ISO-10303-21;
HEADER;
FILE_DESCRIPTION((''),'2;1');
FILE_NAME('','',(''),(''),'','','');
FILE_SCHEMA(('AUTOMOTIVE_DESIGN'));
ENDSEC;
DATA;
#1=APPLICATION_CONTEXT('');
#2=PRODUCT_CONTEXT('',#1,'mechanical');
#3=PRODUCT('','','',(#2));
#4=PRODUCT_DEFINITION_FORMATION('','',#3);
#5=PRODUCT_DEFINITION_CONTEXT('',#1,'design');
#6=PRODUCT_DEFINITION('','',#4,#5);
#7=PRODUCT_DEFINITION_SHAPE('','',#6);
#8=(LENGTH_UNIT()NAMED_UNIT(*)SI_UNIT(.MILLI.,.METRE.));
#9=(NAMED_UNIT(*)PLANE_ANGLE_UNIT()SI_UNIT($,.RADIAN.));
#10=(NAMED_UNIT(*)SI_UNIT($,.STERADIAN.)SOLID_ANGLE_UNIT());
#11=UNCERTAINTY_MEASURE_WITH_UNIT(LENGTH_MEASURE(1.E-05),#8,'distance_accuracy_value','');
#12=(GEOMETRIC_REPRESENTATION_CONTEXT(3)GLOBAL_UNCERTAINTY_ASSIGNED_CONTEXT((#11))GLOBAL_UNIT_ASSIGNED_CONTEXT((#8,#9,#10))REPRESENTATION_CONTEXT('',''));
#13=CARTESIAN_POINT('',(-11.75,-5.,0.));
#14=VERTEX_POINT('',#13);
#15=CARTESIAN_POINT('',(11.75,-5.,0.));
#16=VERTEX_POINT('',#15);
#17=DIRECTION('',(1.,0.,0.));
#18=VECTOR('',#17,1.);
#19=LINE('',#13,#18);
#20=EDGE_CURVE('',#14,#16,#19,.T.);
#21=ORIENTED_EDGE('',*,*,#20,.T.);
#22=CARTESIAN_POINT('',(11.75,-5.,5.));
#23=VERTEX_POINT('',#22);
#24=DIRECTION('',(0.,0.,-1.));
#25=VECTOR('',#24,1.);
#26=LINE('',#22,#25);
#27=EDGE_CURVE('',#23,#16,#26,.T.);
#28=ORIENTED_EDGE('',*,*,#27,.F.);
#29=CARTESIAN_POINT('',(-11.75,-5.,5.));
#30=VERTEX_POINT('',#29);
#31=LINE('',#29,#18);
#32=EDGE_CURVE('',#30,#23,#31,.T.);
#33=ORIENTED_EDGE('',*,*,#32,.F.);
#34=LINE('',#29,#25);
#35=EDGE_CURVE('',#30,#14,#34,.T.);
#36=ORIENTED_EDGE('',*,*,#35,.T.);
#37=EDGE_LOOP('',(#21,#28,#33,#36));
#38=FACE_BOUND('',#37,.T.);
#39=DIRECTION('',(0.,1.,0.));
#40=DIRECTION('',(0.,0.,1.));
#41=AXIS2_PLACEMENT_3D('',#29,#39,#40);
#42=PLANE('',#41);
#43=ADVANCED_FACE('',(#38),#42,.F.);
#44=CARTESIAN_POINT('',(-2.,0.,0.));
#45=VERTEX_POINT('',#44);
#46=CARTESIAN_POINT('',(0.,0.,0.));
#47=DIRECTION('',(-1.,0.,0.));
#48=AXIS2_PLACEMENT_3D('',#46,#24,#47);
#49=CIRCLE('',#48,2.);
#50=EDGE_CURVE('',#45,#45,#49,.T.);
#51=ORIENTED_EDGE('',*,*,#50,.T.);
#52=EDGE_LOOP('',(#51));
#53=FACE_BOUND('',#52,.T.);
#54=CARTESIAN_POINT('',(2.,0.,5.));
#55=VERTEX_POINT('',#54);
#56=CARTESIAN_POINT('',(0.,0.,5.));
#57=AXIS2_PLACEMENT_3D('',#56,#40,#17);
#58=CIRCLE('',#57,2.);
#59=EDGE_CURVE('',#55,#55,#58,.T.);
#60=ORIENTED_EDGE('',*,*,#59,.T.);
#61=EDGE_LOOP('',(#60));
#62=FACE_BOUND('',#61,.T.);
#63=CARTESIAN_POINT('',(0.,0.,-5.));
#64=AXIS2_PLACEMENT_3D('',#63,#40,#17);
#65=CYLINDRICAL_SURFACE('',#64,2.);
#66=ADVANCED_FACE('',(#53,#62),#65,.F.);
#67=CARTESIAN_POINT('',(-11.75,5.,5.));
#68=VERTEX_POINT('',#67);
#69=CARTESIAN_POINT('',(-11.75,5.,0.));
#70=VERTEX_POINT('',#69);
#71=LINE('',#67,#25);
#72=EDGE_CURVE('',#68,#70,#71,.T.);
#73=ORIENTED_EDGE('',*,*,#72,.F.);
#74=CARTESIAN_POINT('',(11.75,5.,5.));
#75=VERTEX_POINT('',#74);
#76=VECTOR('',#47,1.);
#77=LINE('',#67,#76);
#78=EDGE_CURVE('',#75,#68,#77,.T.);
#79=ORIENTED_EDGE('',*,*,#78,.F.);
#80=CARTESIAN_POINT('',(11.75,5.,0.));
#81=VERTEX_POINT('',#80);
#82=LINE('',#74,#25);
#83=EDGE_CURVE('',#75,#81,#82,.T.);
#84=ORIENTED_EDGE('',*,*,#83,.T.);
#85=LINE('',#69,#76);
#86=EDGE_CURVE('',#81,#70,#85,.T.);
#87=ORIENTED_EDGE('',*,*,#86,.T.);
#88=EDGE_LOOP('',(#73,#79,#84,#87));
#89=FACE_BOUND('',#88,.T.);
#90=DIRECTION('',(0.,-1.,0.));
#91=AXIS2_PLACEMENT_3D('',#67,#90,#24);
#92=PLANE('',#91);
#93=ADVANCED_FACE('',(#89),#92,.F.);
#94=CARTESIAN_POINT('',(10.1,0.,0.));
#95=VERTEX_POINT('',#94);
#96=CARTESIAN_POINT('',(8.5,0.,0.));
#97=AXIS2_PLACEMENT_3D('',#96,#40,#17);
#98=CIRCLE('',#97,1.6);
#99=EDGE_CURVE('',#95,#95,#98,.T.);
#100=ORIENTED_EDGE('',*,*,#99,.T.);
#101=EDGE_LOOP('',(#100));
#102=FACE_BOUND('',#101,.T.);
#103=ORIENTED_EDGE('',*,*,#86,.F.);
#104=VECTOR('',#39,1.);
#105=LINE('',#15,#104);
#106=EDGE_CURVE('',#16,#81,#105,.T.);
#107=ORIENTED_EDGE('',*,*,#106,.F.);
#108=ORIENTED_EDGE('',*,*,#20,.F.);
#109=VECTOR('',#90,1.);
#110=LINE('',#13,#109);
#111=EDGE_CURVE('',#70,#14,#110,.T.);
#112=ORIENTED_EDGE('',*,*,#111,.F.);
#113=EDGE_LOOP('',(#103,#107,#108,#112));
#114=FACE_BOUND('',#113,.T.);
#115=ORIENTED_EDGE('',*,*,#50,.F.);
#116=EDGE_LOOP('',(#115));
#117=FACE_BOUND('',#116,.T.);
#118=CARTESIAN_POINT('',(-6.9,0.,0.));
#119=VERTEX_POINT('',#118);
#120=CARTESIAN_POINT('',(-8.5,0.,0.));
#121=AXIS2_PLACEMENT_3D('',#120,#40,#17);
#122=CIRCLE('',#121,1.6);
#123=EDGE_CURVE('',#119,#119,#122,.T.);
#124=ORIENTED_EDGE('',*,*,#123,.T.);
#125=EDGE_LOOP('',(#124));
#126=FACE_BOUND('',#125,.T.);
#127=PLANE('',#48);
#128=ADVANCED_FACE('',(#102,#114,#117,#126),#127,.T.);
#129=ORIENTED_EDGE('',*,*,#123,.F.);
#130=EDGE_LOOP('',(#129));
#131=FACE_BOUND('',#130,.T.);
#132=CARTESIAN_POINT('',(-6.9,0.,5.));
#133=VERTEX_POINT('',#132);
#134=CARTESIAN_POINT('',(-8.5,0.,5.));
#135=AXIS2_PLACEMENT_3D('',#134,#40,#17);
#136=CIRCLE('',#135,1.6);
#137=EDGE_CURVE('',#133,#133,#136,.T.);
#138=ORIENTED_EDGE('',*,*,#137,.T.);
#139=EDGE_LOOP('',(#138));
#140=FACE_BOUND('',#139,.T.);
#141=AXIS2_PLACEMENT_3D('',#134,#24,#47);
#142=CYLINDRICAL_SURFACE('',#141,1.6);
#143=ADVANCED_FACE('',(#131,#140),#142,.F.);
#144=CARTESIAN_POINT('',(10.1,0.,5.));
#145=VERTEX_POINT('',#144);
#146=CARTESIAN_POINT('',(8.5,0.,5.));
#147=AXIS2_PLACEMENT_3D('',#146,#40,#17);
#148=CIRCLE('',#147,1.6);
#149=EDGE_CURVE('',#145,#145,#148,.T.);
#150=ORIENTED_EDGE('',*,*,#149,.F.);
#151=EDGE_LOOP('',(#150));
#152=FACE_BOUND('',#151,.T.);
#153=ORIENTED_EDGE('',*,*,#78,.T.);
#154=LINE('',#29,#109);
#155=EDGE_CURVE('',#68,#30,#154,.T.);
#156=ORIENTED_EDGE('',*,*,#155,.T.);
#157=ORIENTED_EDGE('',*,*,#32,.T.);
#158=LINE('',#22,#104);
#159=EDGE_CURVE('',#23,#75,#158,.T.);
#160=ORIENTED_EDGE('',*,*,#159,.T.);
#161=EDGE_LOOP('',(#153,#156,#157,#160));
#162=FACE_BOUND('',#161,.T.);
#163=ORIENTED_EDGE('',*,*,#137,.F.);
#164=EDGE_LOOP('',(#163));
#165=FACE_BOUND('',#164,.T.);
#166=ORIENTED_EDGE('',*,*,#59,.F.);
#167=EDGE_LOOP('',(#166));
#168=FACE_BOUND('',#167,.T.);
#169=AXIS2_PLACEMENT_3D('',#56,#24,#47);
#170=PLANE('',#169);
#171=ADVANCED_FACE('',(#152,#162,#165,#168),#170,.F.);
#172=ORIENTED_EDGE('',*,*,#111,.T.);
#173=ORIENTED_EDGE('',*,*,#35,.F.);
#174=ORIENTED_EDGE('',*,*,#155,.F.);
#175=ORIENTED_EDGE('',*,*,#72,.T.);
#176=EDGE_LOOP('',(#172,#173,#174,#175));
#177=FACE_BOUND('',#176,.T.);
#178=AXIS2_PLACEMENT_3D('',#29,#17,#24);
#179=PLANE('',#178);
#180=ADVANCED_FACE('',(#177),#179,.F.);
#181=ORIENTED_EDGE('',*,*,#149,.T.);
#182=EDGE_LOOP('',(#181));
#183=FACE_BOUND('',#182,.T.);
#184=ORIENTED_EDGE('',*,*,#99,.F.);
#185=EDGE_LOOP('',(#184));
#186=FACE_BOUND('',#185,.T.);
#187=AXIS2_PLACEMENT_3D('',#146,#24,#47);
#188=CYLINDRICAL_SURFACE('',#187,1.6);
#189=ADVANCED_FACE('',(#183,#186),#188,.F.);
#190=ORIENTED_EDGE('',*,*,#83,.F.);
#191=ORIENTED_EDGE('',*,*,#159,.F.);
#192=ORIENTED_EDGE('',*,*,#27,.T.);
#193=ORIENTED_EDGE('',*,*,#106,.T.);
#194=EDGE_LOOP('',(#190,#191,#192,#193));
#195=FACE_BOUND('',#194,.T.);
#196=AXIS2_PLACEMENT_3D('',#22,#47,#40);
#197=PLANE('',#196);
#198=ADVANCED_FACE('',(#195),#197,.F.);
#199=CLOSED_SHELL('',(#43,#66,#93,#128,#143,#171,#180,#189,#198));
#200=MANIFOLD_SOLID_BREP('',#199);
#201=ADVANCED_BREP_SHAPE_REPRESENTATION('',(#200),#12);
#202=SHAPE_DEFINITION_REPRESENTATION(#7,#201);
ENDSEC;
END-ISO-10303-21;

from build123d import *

# Parameters (mm, degrees)
SKETCH_1_W          = 23.5
SKETCH_1_H          = 10
SKETCH_1_R          = 1.6
EXTRUDE_1_DEPTH     = 5
SKETCH_2_R          = 2
CUT_EXTRUDE_1_DEPTH = 10


with BuildPart() as part:
    # 草图1 → 凸台-拉伸1 (new body)
    with BuildSketch(Plane.XY):
        Rectangle(SKETCH_1_W, SKETCH_1_H)
        with Locations((-8.5, 0)):
            Circle(SKETCH_1_R, mode=Mode.SUBTRACT)
        with Locations((8.5, 0)):
            Circle(SKETCH_1_R, mode=Mode.SUBTRACT)
    extrude(amount=EXTRUDE_1_DEPTH)

    # 草图2 → 切除-拉伸1 (cut)
    with BuildSketch(Plane.XY.offset(5)):
        Circle(SKETCH_2_R)
    extrude(amount=-CUT_EXTRUDE_1_DEPTH, mode=Mode.SUBTRACT)


solid = part.part
